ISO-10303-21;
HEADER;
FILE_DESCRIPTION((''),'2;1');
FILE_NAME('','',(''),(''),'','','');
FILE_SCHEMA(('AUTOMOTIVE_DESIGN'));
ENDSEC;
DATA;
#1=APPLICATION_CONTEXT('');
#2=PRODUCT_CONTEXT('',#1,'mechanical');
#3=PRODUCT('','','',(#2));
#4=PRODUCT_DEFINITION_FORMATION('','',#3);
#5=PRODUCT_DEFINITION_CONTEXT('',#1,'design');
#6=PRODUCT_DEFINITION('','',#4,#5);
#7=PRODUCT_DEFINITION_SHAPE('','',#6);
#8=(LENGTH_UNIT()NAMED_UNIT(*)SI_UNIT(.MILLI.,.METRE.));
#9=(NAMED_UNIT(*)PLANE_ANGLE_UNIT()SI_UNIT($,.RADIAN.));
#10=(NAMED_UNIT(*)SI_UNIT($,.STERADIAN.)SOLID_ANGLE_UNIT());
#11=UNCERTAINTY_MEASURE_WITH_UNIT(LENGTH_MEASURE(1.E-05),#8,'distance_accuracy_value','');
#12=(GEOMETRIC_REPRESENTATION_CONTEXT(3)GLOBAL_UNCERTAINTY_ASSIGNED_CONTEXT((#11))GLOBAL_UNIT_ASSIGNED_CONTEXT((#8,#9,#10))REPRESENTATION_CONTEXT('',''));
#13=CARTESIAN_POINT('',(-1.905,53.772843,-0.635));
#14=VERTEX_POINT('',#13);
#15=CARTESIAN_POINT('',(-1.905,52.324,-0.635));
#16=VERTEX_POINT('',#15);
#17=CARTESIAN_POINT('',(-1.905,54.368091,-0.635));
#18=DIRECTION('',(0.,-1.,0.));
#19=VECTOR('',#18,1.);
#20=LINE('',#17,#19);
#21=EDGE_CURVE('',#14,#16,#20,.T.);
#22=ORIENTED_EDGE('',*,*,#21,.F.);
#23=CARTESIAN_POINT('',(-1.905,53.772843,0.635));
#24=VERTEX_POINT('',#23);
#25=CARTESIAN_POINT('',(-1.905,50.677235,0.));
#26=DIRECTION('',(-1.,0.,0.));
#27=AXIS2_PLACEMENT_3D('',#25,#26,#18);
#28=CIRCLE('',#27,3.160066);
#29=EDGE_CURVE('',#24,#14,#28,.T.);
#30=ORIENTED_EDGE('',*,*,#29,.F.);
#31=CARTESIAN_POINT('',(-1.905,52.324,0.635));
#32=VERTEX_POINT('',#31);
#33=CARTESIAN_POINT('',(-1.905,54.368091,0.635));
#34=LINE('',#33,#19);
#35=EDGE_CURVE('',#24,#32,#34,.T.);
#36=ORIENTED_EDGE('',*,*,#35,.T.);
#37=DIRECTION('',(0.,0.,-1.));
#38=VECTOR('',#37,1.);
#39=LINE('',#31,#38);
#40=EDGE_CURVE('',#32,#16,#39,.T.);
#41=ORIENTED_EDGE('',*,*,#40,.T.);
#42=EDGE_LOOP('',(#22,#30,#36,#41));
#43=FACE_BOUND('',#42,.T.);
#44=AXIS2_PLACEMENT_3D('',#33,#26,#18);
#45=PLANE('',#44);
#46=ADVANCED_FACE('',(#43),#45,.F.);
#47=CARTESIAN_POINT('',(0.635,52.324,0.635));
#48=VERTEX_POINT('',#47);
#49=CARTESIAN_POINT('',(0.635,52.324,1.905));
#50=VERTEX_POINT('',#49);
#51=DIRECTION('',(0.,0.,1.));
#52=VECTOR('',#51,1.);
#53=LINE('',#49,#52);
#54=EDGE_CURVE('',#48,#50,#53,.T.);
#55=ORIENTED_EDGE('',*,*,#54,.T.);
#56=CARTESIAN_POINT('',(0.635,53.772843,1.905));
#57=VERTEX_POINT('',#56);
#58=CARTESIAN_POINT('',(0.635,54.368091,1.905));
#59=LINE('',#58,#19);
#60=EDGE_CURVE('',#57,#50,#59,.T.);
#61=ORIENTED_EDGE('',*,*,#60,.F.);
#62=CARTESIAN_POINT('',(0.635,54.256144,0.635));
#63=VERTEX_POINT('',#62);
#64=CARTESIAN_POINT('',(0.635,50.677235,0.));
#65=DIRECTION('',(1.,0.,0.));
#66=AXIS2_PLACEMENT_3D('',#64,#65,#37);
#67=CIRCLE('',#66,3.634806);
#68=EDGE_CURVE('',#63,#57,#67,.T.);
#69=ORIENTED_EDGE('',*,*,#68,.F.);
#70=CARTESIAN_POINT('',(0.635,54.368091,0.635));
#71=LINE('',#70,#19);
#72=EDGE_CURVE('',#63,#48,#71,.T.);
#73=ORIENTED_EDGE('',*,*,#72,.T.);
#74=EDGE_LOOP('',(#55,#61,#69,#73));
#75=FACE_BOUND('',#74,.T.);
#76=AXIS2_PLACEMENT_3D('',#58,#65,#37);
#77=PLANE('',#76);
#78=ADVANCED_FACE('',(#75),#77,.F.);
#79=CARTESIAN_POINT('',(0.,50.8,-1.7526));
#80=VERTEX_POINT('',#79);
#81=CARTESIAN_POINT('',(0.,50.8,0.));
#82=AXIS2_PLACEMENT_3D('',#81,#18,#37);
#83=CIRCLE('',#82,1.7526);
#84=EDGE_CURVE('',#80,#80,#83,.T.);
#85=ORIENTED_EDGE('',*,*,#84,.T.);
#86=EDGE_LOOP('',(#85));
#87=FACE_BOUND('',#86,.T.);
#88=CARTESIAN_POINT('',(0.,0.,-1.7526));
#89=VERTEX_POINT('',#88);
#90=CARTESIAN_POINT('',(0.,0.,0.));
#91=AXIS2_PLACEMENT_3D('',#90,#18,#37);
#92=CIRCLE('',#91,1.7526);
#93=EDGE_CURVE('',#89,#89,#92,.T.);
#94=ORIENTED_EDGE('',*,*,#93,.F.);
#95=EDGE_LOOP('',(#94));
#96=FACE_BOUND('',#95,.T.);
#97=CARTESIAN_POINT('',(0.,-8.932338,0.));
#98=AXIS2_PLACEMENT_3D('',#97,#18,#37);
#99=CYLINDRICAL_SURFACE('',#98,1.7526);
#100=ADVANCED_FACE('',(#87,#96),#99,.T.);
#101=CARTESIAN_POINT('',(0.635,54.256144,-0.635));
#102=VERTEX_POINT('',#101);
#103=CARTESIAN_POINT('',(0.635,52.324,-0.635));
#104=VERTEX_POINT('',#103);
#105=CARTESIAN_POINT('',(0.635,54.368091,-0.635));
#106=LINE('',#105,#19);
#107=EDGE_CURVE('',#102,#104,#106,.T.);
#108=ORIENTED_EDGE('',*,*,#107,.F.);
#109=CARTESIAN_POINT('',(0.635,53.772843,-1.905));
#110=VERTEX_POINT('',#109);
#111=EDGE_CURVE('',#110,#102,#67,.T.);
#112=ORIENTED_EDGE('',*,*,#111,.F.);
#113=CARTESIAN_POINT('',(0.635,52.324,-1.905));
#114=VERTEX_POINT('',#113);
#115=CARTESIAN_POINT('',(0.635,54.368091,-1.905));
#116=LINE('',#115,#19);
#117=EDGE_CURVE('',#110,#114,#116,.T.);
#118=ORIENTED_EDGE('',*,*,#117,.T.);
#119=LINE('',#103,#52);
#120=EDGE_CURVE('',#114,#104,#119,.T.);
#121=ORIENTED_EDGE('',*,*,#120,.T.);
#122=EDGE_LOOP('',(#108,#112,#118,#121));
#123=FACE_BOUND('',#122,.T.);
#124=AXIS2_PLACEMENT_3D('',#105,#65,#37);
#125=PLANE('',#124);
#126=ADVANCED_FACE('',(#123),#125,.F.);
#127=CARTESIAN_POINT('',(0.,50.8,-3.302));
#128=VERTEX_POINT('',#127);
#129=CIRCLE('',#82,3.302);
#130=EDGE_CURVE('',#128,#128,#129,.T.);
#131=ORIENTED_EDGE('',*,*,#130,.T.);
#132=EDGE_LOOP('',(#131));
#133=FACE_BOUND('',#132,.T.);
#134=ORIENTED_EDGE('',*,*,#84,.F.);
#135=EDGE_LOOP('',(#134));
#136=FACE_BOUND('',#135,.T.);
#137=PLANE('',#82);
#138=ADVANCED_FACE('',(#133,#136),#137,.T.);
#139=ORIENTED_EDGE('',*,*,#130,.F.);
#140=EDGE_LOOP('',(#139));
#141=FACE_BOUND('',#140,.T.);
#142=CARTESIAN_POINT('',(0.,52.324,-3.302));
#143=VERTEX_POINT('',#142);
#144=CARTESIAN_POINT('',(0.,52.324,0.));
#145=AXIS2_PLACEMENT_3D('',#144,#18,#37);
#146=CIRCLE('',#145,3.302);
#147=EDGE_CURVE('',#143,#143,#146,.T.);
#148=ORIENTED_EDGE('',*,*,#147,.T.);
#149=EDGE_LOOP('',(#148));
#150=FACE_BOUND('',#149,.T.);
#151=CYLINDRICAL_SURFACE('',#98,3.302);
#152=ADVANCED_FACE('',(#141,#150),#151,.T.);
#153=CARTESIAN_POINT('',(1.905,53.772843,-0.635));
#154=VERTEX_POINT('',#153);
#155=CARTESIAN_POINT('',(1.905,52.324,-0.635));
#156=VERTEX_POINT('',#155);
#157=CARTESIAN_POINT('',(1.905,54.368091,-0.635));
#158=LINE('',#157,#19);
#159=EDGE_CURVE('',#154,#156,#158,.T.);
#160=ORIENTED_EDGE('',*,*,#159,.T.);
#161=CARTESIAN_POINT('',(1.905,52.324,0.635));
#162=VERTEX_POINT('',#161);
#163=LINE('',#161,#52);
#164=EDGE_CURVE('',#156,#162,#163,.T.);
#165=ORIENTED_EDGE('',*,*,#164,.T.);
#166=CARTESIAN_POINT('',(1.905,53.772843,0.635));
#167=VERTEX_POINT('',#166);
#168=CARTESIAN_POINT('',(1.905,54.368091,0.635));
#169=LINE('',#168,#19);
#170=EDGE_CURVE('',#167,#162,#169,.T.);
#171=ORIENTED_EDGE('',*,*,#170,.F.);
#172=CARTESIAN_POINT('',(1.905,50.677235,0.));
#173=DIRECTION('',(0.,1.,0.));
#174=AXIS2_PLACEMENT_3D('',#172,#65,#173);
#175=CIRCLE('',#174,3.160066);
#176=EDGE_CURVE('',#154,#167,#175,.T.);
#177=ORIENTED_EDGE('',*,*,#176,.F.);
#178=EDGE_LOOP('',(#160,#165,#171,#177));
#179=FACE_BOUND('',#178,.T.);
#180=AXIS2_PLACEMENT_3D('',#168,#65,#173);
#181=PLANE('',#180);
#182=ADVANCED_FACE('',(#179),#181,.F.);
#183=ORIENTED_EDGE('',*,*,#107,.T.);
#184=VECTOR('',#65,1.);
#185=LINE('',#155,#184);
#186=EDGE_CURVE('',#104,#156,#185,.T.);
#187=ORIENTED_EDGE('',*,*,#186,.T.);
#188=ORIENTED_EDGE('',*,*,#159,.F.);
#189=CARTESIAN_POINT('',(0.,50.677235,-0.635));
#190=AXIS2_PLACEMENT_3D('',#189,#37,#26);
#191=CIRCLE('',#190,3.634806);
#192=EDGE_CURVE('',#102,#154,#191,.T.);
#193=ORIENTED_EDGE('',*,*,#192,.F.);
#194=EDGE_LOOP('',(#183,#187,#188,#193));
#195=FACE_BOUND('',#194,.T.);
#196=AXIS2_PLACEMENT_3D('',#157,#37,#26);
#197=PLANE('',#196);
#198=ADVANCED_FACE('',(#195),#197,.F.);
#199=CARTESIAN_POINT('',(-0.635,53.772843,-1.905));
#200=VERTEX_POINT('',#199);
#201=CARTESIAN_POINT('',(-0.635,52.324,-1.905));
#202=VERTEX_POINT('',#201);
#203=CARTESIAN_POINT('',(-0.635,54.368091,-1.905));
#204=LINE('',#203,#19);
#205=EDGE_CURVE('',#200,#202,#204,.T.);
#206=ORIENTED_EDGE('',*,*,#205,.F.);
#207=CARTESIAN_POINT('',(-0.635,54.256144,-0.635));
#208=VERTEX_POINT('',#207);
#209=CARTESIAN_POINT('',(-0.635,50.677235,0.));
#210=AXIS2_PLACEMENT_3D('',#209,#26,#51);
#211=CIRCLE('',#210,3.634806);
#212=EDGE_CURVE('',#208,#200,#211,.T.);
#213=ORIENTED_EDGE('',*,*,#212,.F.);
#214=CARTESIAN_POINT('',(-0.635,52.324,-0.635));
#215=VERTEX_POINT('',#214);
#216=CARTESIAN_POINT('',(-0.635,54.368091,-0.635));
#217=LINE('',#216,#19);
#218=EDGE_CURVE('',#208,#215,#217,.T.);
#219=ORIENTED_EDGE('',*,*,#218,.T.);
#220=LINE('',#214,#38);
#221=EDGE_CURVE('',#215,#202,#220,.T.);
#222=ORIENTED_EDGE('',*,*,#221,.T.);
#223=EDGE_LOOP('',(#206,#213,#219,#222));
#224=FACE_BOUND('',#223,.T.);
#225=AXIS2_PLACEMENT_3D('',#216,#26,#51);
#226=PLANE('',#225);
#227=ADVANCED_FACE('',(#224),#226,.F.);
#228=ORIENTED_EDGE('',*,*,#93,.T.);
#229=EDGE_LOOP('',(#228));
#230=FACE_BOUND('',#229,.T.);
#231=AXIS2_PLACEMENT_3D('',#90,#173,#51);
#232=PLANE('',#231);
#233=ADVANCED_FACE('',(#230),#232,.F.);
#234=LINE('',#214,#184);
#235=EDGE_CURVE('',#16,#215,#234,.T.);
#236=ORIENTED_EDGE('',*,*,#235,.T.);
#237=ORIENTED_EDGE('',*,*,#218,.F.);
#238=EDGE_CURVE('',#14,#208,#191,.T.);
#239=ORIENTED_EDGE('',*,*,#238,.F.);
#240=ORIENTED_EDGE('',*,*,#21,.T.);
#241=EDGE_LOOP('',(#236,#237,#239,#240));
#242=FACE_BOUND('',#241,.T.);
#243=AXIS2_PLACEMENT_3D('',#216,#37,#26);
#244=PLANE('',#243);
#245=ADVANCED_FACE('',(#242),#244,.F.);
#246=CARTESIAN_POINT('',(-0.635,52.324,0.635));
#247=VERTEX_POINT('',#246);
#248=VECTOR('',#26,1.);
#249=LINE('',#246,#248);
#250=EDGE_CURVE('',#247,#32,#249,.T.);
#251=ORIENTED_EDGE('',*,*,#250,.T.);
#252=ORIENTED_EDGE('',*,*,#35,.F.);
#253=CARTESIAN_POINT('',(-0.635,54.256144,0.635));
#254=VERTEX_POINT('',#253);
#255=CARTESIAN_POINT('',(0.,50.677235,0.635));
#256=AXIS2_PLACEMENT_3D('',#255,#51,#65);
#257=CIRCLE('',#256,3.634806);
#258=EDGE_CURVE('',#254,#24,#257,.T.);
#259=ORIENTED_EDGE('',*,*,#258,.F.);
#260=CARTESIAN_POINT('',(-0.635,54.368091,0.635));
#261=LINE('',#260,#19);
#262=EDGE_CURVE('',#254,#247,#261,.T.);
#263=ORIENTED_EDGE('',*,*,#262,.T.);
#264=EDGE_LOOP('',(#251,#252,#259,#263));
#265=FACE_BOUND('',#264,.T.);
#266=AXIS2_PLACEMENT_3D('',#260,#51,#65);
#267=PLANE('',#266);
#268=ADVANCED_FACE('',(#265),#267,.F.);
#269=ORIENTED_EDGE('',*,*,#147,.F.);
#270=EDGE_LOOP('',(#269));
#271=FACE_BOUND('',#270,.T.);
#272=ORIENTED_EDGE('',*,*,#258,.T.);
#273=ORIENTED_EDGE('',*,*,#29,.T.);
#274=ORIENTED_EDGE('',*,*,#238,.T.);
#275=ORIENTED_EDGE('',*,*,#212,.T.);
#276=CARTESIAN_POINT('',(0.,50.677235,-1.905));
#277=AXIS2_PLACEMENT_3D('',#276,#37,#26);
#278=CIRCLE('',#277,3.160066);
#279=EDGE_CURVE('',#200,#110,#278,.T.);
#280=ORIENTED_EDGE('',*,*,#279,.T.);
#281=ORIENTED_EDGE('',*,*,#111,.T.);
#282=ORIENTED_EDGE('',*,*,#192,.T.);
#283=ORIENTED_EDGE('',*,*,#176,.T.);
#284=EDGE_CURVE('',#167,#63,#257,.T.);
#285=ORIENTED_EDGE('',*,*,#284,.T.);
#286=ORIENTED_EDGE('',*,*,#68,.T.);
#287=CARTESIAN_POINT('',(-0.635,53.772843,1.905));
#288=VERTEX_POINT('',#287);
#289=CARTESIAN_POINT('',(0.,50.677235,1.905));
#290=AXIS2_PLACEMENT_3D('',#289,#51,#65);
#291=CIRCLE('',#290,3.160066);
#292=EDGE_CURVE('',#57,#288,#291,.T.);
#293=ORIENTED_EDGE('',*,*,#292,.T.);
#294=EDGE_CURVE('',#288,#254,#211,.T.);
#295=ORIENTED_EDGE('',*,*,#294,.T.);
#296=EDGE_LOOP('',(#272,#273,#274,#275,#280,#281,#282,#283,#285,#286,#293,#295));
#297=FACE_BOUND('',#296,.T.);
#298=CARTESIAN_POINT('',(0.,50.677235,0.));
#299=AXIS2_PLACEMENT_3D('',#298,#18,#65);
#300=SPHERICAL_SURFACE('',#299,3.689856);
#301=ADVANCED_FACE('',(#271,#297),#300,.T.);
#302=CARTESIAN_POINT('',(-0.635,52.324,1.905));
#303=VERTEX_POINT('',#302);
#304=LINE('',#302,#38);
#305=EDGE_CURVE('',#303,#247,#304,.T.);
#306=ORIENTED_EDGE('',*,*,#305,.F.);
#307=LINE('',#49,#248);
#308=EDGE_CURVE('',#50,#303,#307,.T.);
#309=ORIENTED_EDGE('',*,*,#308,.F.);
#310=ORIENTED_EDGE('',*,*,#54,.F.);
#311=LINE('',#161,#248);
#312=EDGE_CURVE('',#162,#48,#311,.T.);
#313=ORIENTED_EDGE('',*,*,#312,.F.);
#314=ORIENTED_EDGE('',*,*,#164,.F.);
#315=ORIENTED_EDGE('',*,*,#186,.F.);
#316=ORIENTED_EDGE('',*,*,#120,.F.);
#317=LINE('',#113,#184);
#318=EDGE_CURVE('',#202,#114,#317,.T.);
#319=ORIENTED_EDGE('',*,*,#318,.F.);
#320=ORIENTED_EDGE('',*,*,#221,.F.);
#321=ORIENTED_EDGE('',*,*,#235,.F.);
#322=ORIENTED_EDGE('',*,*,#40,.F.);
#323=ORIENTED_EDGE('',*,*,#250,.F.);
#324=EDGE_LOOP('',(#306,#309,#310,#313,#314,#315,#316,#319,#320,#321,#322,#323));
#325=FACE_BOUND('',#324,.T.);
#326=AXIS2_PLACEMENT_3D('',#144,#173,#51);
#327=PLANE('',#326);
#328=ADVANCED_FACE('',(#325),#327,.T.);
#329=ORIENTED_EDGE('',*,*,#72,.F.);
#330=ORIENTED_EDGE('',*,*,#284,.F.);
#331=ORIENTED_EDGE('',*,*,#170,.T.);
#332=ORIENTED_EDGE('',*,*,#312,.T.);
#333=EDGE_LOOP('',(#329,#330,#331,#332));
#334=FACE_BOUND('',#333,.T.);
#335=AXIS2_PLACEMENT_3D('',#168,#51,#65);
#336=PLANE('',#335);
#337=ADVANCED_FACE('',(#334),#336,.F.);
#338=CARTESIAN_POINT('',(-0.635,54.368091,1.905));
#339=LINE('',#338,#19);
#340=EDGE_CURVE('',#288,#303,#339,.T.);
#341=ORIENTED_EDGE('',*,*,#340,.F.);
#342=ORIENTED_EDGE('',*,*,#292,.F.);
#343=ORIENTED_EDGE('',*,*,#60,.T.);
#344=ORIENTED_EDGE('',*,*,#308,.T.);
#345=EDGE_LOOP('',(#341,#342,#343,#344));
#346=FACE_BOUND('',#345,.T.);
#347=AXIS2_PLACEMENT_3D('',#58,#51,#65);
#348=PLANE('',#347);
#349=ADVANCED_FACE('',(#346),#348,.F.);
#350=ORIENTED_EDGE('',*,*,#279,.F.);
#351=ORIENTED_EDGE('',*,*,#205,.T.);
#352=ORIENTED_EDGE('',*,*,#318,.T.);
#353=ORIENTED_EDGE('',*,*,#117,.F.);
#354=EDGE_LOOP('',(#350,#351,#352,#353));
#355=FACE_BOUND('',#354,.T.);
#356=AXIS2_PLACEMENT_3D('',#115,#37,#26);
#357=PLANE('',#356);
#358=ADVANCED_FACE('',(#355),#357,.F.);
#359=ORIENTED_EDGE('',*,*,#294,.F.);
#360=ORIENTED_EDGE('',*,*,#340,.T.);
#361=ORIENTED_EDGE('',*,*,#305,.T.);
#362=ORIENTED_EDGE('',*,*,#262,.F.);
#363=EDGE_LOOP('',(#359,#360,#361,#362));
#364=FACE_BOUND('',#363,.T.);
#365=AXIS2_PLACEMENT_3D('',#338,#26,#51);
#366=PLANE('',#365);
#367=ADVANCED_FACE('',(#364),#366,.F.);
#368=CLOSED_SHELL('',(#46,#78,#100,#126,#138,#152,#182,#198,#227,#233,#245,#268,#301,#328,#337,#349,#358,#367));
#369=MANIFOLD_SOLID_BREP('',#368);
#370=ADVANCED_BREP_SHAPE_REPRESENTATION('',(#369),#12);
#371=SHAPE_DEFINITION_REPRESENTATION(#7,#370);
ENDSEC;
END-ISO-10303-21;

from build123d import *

# Parameters (mm, degrees)
CUT_EXTRUDE1_REACH      = 54.532
CUT_EXTRUDE1_END_RADIUS = 3.68985638


with BuildPart() as part:
    # Sketch1 → Revolve1 (revolve)
    with BuildSketch(Plane.XY, mode=Mode.PRIVATE) as revolve1_sk:
        Polygon((0, 50.677234653), (0, 0), (1.7526, 0), (1.7526, 50.8), (0, 50.8), align=None)
        with BuildLine():
            Line((0, 54.367091034), (0, 50.8))
            Line((0, 50.8), (1.7526, 50.8))
            Line((1.7526, 50.8), (3.302, 50.8))
            Line((3.302, 50.8), (3.302, 52.324))
            ThreePointArc((3.302, 52.324), (1.941483001, 53.815017926), (0, 54.367091034))
        make_face()
    revolve(revolve1_sk.sketch.rotate(Axis((0, -8.932338451, 0), (0, 1, 0)), 90), axis=Axis((0, -8.932338451, 0), (0, 1, 0)))

    # Cut-Extrude1: up to this sphere (the profile starts inside it)
    cut_extrude1_end = Location((0, 50.677234653, 0)) * Sphere(CUT_EXTRUDE1_END_RADIUS, mode=Mode.PRIVATE)
    # Sketch2 → Cut-Extrude1 (cut, up to the surface)
    with BuildSketch(Plane(origin=(0, 52.324, 0), x_dir=(-1, 0, 0), z_dir=(0, -1, 0)), mode=Mode.PRIVATE) as cut_extrude1_sk1:
        Polygon((0.635, 0.635), (1.905, 0.635), (1.905, -0.635), (0.635, -0.635), (0.635, -1.905), (-0.635, -1.905), (-0.635, -0.635), (-1.905, -0.635), (-1.905, 0.635), (-0.635, 0.635), (-0.635, 1.905), (0.635, 1.905), align=None)
    cut_extrude1_tool1 = extrude(cut_extrude1_sk1.sketch, amount=-CUT_EXTRUDE1_REACH, mode=Mode.PRIVATE) & cut_extrude1_end
    add(cut_extrude1_tool1.solids().sort_by_distance((0, 52.324, 0))[0], mode=Mode.SUBTRACT)


solid = part.part
